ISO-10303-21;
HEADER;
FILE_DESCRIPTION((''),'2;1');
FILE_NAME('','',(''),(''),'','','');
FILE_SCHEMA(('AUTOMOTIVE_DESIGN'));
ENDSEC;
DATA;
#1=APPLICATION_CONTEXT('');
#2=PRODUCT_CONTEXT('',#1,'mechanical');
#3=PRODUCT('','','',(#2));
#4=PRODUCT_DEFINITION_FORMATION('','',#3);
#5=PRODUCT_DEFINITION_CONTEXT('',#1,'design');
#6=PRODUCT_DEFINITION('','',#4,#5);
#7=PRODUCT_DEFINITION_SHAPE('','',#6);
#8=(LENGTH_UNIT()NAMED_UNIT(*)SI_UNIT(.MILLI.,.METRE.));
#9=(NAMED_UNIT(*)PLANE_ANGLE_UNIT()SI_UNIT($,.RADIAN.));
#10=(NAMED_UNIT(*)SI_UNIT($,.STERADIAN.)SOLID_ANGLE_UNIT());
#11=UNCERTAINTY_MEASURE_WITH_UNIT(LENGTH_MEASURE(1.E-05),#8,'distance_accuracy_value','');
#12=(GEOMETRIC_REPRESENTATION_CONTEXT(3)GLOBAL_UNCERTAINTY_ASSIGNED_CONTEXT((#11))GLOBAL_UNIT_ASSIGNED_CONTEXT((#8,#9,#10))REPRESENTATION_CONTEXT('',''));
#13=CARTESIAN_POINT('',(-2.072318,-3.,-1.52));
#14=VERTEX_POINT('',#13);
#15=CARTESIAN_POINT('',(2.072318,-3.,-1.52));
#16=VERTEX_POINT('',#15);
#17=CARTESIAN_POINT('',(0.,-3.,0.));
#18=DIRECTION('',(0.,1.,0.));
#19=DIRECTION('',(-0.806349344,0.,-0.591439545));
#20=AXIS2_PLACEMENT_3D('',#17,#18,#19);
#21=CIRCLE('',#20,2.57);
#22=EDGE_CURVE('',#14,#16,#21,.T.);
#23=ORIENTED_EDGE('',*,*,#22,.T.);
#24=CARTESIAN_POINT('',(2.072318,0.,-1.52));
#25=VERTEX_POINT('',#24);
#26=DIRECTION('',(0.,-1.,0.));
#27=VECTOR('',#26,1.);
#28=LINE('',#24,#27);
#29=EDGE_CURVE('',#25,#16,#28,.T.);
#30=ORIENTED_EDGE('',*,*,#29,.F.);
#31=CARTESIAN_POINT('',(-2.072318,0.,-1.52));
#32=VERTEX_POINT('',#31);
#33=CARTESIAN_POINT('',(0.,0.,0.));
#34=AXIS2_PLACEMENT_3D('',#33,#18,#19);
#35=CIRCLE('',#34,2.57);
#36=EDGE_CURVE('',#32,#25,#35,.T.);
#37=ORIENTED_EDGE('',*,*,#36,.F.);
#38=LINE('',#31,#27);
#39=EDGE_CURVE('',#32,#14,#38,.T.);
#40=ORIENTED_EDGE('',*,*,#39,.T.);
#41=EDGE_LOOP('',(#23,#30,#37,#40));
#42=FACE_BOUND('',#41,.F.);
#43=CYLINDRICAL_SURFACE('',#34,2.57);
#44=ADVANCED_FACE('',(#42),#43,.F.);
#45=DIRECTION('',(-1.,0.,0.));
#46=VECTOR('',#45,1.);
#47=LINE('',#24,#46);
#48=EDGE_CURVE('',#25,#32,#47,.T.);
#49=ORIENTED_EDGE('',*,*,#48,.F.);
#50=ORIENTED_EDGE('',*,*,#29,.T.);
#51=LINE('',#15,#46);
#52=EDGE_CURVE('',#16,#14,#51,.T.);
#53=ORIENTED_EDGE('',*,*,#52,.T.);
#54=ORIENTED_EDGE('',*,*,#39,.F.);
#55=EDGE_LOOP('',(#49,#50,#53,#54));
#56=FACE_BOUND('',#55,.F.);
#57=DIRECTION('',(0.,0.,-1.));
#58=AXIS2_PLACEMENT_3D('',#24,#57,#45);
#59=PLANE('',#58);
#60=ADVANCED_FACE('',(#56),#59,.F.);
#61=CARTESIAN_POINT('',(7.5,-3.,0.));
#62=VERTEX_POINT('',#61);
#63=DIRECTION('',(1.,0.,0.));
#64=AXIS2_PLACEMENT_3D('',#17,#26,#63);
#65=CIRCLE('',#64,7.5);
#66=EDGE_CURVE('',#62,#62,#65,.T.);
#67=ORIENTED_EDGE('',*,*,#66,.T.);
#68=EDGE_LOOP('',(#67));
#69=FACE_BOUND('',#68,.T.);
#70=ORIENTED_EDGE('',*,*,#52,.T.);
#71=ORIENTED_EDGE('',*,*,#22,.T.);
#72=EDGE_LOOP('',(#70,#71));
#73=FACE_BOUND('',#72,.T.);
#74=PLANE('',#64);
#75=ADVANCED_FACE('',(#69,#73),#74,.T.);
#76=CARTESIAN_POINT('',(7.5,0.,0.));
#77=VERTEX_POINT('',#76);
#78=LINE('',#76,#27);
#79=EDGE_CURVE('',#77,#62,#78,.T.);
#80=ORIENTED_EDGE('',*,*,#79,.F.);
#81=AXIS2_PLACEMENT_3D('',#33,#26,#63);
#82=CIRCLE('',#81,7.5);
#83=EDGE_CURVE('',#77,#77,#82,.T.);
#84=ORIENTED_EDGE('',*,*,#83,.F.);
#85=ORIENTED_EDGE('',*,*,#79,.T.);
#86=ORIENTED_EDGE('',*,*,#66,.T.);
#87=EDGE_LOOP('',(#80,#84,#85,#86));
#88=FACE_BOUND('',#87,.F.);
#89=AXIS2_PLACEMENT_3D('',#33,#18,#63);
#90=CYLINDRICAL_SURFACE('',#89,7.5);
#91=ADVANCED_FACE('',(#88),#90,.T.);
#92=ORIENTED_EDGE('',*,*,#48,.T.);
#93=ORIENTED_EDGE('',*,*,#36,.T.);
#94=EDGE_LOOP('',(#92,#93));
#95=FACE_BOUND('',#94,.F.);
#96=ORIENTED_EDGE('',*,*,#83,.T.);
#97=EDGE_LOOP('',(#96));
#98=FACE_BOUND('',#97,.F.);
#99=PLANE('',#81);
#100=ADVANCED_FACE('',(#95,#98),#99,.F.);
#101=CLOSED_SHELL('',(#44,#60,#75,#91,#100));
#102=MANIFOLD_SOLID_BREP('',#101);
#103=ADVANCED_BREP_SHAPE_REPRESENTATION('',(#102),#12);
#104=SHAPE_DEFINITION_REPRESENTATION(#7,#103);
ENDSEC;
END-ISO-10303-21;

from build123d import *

# Parameters (mm, degrees)
F0_R     = 7.5
F1_DEPTH = 3


with BuildPart() as f1:
    # F0 (on Front) → F1 (new body)
    with BuildSketch(Plane.XZ):
        Circle(F0_R)
        with BuildLine():
            Line((2.072318, -1.52), (0, -1.52))
            Line((0, -1.52), (-2.072318, -1.52))
            ThreePointArc((-2.072318, -1.52), (0, 2.57), (2.072318, -1.52))
        make_face(mode=Mode.SUBTRACT)
    extrude(amount=F1_DEPTH)


solid = f1.part
